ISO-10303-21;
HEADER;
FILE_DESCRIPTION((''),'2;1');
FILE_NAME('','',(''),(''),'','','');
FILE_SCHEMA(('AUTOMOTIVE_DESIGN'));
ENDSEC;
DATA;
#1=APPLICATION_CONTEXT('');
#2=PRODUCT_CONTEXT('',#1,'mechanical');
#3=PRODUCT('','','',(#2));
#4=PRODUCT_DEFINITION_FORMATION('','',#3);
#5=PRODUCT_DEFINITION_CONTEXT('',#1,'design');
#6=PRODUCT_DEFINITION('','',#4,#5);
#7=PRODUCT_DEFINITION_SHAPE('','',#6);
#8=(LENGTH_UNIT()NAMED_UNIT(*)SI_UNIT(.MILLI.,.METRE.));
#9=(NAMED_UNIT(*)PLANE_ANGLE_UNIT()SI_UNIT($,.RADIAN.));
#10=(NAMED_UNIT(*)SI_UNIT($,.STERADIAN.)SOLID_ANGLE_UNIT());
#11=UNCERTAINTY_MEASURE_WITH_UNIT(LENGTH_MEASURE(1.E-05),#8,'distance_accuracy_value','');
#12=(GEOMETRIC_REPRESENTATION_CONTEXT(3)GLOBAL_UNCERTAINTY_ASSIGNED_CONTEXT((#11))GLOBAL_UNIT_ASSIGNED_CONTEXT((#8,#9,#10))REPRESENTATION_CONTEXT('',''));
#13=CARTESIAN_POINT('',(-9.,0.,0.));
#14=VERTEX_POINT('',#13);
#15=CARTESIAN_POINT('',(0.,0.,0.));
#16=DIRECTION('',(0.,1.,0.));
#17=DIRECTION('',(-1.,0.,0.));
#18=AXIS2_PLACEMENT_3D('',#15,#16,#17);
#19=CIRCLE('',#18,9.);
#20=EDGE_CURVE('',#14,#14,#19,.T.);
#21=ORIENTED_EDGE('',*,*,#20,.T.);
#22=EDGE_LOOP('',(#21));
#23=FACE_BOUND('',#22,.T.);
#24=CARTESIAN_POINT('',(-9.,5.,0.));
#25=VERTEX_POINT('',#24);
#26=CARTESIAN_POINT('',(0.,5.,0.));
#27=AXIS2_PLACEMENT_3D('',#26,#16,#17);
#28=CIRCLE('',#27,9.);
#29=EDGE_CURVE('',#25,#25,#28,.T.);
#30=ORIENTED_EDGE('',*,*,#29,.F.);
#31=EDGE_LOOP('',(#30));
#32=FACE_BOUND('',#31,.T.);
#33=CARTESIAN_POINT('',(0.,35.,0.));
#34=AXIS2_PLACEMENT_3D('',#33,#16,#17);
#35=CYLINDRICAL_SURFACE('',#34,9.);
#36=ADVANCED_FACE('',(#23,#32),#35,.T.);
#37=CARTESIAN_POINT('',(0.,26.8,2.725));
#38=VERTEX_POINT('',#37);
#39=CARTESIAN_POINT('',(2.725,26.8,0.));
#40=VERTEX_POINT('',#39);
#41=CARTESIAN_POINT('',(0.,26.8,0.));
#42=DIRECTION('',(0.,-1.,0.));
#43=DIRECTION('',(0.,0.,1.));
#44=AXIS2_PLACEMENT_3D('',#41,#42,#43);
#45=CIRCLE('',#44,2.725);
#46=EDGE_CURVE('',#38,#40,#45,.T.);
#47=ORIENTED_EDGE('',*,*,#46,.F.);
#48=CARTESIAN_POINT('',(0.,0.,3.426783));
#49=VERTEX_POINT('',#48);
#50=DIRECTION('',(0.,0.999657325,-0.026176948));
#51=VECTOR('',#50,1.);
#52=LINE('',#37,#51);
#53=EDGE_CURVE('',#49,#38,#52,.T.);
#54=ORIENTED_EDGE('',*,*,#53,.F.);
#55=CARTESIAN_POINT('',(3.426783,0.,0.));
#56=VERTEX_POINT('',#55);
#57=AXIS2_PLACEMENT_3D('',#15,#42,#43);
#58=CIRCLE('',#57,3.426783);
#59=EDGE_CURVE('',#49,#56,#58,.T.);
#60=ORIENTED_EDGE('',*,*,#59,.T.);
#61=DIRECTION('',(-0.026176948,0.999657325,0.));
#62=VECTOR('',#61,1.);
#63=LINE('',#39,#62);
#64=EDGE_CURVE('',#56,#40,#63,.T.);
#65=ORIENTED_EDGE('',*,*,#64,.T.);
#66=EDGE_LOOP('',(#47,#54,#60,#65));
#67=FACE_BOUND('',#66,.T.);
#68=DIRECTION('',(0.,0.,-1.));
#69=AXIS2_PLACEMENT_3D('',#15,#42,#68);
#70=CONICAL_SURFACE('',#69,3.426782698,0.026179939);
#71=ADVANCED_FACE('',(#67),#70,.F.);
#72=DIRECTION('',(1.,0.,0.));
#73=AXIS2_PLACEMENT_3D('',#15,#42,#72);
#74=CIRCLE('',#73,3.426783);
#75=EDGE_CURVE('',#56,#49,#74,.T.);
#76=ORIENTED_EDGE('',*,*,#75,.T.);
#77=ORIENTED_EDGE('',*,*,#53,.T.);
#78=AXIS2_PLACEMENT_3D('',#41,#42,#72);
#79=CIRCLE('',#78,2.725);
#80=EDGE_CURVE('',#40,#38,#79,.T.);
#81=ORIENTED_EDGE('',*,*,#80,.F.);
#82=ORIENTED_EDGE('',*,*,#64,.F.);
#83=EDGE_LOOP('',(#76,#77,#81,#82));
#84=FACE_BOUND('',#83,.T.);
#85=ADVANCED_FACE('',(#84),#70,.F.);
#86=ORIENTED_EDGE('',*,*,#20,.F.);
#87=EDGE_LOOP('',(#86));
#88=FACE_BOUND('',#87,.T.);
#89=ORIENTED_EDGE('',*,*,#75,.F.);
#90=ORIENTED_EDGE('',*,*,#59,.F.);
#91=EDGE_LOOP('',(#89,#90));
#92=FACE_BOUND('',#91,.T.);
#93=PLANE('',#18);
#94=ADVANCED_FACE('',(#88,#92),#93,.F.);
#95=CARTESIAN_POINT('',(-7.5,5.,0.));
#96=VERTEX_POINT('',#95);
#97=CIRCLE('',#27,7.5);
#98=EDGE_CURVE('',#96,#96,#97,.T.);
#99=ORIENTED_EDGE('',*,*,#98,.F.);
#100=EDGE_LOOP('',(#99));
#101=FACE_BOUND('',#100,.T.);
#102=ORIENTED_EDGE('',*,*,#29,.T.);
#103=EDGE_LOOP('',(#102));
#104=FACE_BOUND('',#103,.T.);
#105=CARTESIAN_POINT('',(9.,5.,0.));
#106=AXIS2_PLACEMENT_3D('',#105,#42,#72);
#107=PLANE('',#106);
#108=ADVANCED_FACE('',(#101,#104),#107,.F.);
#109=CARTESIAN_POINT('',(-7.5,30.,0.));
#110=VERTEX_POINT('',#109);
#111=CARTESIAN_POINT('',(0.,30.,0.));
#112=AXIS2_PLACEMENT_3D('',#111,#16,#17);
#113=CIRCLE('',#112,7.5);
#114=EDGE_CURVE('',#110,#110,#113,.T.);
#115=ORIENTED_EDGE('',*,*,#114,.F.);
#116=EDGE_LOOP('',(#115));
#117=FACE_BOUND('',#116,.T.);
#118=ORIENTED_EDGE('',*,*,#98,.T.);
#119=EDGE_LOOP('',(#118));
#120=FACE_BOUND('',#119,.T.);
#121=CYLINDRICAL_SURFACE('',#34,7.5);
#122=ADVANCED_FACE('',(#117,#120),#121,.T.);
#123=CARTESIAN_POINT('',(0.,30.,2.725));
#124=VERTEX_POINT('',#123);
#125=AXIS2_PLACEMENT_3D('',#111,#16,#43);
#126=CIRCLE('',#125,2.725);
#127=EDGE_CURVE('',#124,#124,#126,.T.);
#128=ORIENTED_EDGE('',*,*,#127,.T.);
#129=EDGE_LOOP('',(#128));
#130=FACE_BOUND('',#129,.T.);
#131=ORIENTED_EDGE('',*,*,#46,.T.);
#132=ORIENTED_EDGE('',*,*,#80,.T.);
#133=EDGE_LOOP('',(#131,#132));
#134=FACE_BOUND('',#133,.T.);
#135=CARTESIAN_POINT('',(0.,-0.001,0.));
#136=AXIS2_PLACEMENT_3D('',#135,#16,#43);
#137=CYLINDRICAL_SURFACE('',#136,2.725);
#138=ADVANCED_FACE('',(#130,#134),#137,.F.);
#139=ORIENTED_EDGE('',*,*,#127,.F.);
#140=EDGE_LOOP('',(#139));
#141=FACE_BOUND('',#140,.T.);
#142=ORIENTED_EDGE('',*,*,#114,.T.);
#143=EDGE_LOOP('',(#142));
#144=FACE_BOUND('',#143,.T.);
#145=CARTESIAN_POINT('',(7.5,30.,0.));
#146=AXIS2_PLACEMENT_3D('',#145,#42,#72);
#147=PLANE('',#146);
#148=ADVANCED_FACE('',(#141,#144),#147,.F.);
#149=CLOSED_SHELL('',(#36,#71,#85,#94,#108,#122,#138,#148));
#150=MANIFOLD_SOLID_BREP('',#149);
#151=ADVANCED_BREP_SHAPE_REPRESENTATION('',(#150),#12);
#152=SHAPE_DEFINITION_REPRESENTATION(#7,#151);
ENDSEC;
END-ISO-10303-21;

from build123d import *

# Parameters (mm, degrees)
CUT_EXTRUDE1_REACH = 34.588
SKETCH2_R          = 2.725


with BuildPart() as part:
    # Sketch1 → Revolve1 (revolve)
    with BuildSketch(Plane.XY, mode=Mode.PRIVATE) as revolve1_sk:
        Polygon((0, 0), (9, 0), (9, 5), (7.5, 5), (7.5, 30), (0, 30), align=None)
    revolve(revolve1_sk.sketch.rotate(Axis((0, 35, 0), (0, -1, 0)), 180), axis=Axis((0, 35, 0), (0, -1, 0)))

    # Sketch2 → Cut-Extrude1 (cut, up to next)
    with BuildSketch(Plane(origin=(0, 30, 0), x_dir=(1, 0, 0), z_dir=(0, 1, 0)), mode=Mode.PRIVATE) as cut_extrude1_sk1:
        with Locations(Location((0, 0, 0), (0, 0, 270))):
            Circle(SKETCH2_R)
    cut_extrude1_tool1 = extrude(cut_extrude1_sk1.sketch, amount=-CUT_EXTRUDE1_REACH, mode=Mode.PRIVATE) & part.part
    add(cut_extrude1_tool1.solids().sort_by_distance((0, 30, 0))[0], mode=Mode.SUBTRACT)

    # Cut-Sweep1: sweep along a curve in space
    with BuildLine() as cut_sweep1_path:
        ThreePointArc((0, 30, 2.725), (1.926865979, 30, 1.926865979), (2.725, 30, 0))
        ThreePointArc((2.725, 30, 0), (1.926865979, 30, -1.926865979), (0, 30, -2.725))
        ThreePointArc((0, 30, -2.725), (-1.926865979, 30, -1.926865979), (-2.725, 30, 0))
        ThreePointArc((-2.725, 30, 0), (-1.926865979, 30, 1.926865979), (0, 30, 2.725))
    # Sketch3 → Cut-Sweep1 (sweep, cut)
    with BuildSketch(Plane.XY):
        Polygon((2.725, 26.8), (3.426782698, 0), (2.725, 0), align=None)
    sweep(path=cut_sweep1_path.line, mode=Mode.SUBTRACT)


solid = part.part
